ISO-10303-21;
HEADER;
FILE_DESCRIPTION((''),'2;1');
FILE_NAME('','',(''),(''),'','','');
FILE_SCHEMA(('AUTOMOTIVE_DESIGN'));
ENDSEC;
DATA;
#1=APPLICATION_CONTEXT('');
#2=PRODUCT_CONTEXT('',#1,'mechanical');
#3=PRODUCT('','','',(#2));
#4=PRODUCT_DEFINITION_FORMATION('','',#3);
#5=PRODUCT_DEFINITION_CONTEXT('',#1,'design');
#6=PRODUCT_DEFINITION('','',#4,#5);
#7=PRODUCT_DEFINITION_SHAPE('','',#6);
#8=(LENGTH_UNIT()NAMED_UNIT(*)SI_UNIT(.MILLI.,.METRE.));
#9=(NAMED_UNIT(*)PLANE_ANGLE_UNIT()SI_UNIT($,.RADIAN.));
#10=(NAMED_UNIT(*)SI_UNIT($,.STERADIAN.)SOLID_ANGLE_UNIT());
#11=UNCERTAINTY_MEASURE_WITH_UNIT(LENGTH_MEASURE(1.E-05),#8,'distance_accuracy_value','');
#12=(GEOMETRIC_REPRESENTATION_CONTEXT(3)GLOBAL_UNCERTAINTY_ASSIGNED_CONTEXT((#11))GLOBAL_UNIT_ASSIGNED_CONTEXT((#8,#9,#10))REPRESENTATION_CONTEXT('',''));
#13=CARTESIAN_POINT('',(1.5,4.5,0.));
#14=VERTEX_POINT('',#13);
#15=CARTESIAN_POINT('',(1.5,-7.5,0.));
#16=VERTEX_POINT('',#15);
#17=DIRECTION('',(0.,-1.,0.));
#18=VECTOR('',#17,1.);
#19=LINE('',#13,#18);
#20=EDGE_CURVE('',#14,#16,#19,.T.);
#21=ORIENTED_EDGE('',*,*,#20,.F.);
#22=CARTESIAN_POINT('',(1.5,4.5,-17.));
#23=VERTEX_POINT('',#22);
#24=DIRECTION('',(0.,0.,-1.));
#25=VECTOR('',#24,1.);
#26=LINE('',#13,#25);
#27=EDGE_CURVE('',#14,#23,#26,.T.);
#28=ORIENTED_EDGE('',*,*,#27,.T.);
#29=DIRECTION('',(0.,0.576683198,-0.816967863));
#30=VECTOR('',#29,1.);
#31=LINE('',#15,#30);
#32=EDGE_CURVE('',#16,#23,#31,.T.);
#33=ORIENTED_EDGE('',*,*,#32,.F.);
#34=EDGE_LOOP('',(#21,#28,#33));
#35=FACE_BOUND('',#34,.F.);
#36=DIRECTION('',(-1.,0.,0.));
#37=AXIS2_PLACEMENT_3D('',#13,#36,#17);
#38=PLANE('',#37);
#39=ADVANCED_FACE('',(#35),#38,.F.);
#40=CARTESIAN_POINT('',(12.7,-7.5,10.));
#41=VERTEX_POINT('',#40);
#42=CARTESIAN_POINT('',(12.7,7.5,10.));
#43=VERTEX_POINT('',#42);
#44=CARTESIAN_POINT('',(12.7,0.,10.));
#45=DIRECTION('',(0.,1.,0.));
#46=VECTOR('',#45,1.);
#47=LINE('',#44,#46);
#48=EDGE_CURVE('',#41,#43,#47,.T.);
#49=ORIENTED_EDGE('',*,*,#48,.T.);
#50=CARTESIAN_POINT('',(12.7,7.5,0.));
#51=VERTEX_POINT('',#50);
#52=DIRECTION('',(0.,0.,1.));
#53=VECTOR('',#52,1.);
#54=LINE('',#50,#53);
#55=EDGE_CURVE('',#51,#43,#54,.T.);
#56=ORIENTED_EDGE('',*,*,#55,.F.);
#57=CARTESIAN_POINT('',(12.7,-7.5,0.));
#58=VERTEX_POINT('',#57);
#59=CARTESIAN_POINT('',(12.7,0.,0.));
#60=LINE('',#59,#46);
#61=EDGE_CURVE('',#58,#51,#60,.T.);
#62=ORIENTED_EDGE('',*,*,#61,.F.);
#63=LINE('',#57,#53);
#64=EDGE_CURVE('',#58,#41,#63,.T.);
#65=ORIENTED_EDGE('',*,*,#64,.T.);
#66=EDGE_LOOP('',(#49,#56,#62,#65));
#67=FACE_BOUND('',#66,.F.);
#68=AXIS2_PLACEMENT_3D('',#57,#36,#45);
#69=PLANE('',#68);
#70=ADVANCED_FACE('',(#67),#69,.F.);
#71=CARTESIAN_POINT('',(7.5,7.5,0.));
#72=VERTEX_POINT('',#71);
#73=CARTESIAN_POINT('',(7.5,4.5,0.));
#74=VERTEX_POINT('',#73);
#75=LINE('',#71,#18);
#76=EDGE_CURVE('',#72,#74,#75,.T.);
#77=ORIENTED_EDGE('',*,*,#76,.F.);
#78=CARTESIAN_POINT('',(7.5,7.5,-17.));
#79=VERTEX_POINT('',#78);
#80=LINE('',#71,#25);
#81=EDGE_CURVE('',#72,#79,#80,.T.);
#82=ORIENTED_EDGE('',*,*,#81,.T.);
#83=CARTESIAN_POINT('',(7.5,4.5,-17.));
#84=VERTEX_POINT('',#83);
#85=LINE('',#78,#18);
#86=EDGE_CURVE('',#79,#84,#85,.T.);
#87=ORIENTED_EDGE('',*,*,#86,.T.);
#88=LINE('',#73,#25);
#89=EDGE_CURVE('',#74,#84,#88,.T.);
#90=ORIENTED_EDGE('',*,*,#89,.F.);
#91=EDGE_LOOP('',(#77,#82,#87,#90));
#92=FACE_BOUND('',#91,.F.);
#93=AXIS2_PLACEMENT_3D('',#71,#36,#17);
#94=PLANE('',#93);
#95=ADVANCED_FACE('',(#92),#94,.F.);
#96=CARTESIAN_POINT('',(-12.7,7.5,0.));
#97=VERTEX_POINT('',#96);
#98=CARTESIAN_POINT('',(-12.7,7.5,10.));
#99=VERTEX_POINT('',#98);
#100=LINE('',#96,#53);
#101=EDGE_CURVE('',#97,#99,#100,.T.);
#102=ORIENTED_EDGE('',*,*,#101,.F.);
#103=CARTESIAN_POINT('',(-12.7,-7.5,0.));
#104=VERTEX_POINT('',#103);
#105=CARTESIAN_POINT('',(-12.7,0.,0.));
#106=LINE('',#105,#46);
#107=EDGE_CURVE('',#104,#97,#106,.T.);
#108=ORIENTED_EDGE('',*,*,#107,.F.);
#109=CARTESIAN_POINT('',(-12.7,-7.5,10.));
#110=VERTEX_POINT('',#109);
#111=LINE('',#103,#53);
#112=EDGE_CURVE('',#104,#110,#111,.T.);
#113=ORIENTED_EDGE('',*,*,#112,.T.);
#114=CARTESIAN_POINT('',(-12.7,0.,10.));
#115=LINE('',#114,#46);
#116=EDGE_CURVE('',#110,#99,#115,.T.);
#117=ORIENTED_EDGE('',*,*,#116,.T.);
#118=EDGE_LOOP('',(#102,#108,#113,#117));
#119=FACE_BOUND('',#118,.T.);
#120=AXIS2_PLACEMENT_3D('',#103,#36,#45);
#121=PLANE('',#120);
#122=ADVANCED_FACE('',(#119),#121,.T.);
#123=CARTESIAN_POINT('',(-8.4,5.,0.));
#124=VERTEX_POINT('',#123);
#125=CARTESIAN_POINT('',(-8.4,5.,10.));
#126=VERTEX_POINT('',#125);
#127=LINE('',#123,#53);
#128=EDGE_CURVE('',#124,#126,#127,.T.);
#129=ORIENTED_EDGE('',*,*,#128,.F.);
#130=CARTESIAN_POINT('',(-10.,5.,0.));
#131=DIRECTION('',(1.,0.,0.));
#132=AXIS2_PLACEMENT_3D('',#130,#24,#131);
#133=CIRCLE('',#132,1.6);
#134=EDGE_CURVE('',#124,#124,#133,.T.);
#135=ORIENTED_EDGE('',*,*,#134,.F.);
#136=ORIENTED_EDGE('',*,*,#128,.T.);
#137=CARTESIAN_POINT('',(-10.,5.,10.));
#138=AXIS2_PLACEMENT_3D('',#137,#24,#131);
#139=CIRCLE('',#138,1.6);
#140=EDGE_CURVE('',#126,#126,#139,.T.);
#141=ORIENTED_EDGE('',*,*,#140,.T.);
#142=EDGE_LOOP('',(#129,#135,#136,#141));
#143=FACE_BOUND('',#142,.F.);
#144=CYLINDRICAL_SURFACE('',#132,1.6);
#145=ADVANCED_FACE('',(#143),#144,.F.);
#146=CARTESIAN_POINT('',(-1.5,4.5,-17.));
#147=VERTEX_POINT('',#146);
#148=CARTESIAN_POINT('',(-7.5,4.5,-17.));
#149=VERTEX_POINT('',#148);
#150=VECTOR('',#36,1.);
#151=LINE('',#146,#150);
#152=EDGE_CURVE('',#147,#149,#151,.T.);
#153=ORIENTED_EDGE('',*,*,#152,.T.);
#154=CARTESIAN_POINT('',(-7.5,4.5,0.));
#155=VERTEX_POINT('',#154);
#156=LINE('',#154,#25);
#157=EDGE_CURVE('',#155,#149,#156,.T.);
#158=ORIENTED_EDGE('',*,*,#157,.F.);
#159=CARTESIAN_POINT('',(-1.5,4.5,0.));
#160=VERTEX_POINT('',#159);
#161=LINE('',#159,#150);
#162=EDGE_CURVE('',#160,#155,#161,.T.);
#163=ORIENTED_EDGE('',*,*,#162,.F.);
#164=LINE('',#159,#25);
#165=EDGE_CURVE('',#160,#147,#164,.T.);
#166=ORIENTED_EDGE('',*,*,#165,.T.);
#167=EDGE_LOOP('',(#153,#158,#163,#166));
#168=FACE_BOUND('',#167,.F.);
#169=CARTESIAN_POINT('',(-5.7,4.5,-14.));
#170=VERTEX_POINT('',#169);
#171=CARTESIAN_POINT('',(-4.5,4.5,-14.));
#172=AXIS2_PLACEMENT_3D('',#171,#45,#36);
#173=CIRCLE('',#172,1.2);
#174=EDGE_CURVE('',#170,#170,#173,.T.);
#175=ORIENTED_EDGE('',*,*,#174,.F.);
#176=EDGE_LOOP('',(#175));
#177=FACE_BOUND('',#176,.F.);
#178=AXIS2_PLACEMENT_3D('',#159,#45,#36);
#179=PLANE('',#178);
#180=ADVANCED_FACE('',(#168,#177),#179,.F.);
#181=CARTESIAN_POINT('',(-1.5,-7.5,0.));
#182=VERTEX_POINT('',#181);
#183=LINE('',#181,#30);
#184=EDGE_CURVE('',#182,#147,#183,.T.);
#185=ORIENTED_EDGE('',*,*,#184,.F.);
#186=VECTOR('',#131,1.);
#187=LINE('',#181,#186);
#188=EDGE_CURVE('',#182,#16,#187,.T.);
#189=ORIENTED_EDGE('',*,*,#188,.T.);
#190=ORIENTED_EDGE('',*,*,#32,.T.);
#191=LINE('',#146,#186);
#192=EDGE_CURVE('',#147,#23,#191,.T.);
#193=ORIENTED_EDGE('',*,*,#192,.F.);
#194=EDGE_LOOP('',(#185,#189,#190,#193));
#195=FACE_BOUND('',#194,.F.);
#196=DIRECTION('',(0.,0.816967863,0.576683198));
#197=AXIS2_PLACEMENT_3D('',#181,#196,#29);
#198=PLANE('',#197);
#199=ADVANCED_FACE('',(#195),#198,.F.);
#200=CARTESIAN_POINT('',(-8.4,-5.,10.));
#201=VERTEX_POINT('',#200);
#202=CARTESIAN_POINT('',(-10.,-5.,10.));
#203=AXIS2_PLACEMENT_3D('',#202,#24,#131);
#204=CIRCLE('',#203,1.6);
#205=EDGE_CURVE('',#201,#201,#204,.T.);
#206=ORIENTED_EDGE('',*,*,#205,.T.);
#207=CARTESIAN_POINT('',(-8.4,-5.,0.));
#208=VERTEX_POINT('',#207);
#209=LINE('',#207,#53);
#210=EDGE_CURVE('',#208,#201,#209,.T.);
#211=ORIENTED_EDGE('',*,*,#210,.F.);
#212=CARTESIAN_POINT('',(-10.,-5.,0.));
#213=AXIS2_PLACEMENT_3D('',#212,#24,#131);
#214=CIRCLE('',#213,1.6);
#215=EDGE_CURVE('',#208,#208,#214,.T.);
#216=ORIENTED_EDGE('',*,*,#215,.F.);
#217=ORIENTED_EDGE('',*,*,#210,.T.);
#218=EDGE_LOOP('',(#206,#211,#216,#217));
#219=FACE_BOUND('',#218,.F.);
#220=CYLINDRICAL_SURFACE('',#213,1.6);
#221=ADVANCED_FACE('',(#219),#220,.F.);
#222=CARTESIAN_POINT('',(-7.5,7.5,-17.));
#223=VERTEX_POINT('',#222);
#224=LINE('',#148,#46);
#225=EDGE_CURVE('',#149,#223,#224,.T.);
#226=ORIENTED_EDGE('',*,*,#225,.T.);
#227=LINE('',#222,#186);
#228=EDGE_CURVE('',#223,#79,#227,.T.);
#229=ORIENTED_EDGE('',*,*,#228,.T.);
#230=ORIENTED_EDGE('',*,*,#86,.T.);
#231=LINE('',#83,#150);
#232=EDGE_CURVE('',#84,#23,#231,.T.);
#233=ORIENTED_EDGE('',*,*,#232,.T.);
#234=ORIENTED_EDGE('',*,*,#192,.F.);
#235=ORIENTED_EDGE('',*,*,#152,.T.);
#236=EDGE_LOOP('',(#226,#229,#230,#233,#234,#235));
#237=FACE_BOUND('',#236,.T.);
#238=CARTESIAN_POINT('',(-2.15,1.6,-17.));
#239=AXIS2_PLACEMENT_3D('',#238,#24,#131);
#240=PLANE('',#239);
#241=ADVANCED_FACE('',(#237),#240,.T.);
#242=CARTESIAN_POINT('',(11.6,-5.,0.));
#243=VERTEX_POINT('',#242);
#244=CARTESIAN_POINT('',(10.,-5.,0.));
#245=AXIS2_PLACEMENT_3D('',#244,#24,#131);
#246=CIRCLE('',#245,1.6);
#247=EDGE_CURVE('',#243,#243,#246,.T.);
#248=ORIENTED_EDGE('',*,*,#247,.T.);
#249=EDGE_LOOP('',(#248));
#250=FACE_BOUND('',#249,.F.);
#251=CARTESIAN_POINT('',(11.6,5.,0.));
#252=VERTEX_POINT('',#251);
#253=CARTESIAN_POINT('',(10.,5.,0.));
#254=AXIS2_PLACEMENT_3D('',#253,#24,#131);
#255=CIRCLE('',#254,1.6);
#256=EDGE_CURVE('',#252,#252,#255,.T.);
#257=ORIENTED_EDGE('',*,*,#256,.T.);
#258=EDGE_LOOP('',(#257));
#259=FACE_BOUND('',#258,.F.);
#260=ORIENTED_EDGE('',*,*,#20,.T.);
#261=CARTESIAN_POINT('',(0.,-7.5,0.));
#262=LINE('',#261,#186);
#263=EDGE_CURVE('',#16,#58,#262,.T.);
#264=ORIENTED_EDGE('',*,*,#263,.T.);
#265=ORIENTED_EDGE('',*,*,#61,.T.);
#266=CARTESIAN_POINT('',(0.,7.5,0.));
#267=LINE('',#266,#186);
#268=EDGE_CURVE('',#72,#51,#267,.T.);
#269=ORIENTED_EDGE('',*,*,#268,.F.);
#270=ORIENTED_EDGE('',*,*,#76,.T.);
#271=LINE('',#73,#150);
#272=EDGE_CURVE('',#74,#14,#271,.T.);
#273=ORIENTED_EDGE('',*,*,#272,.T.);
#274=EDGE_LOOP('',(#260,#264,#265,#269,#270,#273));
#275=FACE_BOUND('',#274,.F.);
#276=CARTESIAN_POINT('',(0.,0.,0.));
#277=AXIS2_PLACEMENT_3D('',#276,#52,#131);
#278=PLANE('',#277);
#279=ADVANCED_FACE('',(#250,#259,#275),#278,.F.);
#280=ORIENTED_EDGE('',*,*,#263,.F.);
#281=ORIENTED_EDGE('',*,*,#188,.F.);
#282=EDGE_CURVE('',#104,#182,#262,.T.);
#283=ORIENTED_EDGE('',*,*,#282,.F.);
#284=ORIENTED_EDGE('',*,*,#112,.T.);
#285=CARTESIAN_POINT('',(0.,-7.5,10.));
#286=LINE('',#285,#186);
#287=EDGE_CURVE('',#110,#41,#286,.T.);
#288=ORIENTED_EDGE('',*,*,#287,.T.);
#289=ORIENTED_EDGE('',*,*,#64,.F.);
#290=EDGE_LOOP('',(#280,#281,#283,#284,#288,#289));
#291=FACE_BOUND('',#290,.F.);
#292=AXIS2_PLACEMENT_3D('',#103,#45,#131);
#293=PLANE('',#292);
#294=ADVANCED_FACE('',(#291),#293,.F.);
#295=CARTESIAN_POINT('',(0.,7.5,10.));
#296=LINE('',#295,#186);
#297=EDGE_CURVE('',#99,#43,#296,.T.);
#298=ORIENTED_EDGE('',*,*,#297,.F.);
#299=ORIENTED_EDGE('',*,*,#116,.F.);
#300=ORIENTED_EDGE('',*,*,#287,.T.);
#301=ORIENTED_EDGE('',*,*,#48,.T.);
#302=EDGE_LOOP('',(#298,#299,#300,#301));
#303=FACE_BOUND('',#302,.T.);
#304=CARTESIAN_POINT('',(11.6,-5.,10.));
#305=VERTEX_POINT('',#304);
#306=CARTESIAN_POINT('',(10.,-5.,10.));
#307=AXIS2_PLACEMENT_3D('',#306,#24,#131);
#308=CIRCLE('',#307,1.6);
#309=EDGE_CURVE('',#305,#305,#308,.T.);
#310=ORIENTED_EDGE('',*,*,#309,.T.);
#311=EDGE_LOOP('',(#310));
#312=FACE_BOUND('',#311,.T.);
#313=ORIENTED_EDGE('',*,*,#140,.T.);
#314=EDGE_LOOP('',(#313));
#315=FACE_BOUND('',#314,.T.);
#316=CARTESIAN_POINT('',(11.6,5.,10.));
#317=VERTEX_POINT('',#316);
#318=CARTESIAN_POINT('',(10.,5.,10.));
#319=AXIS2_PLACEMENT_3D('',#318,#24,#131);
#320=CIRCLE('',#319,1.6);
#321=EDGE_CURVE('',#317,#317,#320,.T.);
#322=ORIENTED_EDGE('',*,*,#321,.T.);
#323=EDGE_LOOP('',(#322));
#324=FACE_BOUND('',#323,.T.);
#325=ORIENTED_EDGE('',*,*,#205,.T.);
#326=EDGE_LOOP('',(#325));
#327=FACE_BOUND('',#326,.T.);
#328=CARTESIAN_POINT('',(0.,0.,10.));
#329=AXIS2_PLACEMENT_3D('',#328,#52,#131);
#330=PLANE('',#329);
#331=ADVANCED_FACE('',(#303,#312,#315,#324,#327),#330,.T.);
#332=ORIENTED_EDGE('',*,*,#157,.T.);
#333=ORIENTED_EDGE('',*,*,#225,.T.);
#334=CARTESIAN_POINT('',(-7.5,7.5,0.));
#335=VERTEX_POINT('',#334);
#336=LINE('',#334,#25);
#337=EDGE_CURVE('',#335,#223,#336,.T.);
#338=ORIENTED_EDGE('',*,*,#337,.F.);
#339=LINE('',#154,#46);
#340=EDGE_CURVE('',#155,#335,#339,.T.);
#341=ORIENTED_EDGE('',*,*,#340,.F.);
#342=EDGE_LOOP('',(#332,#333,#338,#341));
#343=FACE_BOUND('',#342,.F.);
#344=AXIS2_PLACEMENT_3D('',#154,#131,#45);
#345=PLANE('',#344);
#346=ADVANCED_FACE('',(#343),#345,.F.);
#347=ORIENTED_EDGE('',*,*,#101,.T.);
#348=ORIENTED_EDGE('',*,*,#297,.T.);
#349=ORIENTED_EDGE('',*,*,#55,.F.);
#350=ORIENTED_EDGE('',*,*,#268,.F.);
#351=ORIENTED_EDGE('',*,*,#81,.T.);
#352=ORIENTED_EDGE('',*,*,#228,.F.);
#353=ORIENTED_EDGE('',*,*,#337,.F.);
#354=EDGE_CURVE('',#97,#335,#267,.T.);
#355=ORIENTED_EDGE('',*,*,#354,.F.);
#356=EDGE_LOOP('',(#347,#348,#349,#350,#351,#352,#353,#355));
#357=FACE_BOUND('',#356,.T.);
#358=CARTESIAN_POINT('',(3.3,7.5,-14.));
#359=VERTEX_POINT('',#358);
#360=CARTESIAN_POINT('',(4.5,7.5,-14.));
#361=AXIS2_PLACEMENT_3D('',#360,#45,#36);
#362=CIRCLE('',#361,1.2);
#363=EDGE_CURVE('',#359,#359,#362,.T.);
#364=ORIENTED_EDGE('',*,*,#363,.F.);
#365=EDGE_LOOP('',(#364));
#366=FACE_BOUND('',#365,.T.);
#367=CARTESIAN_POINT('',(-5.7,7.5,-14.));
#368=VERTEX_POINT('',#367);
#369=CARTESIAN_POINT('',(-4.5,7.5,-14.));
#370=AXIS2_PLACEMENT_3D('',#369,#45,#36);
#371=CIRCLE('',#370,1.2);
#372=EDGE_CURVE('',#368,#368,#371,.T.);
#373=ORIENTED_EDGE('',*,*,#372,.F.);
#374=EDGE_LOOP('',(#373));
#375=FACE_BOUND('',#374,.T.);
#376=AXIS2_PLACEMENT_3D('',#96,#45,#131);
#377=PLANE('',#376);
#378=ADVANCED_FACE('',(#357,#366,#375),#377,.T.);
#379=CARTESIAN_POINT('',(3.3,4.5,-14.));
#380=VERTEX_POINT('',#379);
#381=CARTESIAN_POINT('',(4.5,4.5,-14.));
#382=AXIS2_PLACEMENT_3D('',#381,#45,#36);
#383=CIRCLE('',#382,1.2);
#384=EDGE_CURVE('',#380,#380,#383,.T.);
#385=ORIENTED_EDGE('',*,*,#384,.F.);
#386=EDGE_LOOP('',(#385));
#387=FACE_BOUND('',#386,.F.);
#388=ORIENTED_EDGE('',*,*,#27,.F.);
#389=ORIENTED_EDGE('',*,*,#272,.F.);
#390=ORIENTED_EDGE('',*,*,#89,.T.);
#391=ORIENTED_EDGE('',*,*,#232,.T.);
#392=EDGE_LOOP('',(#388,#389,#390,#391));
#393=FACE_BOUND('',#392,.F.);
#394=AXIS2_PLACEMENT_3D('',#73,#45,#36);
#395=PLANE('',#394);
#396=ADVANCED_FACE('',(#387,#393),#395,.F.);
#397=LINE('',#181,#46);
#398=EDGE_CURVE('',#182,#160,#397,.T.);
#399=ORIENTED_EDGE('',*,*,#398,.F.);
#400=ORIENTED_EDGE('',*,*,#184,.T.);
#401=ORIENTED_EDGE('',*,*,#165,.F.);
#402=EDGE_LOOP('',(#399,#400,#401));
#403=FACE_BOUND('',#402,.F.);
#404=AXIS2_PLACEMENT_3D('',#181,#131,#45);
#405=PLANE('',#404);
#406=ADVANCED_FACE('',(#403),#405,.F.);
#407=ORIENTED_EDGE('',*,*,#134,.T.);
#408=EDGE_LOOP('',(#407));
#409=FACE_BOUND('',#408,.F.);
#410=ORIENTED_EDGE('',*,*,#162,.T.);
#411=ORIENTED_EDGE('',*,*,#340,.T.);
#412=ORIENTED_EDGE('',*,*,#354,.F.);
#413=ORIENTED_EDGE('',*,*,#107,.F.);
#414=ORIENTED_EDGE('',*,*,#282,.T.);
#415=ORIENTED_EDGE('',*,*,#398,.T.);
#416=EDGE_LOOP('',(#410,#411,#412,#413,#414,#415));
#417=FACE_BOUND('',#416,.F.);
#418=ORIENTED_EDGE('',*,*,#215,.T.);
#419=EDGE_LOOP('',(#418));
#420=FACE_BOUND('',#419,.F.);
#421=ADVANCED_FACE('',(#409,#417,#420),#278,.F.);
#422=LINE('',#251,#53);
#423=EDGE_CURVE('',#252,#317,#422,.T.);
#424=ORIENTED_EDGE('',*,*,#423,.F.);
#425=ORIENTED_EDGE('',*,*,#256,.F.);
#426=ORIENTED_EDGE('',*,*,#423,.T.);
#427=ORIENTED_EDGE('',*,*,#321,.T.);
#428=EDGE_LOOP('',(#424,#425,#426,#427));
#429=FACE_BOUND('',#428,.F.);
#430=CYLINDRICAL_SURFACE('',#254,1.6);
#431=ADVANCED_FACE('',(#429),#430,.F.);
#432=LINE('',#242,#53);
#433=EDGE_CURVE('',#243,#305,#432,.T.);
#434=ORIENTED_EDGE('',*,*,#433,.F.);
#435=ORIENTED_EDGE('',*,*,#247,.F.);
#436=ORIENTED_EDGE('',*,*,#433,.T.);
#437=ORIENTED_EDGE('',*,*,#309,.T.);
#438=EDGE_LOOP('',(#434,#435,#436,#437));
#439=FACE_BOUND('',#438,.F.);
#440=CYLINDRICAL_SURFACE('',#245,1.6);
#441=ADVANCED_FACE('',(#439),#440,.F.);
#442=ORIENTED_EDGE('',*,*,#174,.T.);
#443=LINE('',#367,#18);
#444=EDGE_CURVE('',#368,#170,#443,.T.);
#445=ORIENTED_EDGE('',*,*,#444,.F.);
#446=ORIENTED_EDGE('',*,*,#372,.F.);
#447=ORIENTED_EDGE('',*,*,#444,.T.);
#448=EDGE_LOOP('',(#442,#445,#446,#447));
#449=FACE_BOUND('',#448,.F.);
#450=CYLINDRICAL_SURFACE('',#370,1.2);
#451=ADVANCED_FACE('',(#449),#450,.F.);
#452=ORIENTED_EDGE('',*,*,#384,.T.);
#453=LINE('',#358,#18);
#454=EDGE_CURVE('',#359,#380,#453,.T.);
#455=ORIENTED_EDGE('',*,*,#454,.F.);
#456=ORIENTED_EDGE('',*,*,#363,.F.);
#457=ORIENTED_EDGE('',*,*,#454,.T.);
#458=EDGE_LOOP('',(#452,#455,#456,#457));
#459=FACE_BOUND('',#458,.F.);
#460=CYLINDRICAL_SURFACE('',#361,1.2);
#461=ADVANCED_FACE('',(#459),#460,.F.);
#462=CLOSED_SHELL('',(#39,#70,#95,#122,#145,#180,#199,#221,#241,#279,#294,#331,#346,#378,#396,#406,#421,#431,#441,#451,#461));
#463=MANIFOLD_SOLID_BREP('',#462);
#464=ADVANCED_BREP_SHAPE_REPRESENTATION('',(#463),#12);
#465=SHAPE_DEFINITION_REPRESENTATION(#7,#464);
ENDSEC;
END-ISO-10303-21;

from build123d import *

# Parameters (mm, degrees)
F0_W     = 25.4
F0_H     = 15
F1_DEPTH = 10
F2_R     = 1.6
F3_DEPTH = 10
F5_DEPTH = 17
F7_DEPTH = 3
F8_R     = 1.2
F9_DEPTH = 3


with BuildPart() as f1:
    # F0 (on Top) → F1 (new body)
    with BuildSketch(Plane.XY):
        Rectangle(F0_W, F0_H)
    extrude(amount=F1_DEPTH)

    # F2 (on face) → F3 (cut, through all)
    with BuildSketch(Plane(origin=(0, 0, 0), x_dir=(1, 0, 0), z_dir=(0, 0, -1))):
        with Locations((-10, 5)):
            Circle(F2_R)
        with Locations((-10, -5)):
            Circle(F2_R)
        with Locations((10, -5)):
            Circle(F2_R)
        with Locations((10, 5)):
            Circle(F2_R)
    extrude(amount=-F3_DEPTH, mode=Mode.SUBTRACT)

    # F4 (on face) → F5 (join)
    with BuildSketch(Plane(origin=(0, 0, 0), x_dir=(1, 0, 0), z_dir=(0, 0, -1))):
        Polygon((-7.5, -4.5), (-7.5, -7.5), (0, -7.5), (0, 7.5), (-1.5, 7.5), (-1.5, -4.5), align=None)
        Polygon((0, 7.5), (0, -7.5), (7.5, -7.5), (7.5, -4.5), (1.5, -4.5), (1.5, 7.5), align=None)
    extrude(amount=F5_DEPTH)

    # F6 (on face) → F7 (cut, through all)
    with BuildSketch(Plane(origin=(-1.5, 0, 0), x_dir=(0, -1, 0), z_dir=(-1, 0, 0))):
        Polygon((7.5, -17), (7.5, 0), (-4.5, -17), align=None)
    extrude(amount=-F7_DEPTH, mode=Mode.SUBTRACT)

    # F8 (on face) → F9 (cut, through all)
    with BuildSketch(Plane(origin=(0, 7.5, 0), x_dir=(-1, 0, 0), z_dir=(0, 1, 0))):
        with Locations((-4.5, -14)):
            Circle(F8_R)
        with Locations((4.5, -14)):
            Circle(F8_R)
    extrude(amount=-F9_DEPTH, mode=Mode.SUBTRACT)


solid = f1.part
